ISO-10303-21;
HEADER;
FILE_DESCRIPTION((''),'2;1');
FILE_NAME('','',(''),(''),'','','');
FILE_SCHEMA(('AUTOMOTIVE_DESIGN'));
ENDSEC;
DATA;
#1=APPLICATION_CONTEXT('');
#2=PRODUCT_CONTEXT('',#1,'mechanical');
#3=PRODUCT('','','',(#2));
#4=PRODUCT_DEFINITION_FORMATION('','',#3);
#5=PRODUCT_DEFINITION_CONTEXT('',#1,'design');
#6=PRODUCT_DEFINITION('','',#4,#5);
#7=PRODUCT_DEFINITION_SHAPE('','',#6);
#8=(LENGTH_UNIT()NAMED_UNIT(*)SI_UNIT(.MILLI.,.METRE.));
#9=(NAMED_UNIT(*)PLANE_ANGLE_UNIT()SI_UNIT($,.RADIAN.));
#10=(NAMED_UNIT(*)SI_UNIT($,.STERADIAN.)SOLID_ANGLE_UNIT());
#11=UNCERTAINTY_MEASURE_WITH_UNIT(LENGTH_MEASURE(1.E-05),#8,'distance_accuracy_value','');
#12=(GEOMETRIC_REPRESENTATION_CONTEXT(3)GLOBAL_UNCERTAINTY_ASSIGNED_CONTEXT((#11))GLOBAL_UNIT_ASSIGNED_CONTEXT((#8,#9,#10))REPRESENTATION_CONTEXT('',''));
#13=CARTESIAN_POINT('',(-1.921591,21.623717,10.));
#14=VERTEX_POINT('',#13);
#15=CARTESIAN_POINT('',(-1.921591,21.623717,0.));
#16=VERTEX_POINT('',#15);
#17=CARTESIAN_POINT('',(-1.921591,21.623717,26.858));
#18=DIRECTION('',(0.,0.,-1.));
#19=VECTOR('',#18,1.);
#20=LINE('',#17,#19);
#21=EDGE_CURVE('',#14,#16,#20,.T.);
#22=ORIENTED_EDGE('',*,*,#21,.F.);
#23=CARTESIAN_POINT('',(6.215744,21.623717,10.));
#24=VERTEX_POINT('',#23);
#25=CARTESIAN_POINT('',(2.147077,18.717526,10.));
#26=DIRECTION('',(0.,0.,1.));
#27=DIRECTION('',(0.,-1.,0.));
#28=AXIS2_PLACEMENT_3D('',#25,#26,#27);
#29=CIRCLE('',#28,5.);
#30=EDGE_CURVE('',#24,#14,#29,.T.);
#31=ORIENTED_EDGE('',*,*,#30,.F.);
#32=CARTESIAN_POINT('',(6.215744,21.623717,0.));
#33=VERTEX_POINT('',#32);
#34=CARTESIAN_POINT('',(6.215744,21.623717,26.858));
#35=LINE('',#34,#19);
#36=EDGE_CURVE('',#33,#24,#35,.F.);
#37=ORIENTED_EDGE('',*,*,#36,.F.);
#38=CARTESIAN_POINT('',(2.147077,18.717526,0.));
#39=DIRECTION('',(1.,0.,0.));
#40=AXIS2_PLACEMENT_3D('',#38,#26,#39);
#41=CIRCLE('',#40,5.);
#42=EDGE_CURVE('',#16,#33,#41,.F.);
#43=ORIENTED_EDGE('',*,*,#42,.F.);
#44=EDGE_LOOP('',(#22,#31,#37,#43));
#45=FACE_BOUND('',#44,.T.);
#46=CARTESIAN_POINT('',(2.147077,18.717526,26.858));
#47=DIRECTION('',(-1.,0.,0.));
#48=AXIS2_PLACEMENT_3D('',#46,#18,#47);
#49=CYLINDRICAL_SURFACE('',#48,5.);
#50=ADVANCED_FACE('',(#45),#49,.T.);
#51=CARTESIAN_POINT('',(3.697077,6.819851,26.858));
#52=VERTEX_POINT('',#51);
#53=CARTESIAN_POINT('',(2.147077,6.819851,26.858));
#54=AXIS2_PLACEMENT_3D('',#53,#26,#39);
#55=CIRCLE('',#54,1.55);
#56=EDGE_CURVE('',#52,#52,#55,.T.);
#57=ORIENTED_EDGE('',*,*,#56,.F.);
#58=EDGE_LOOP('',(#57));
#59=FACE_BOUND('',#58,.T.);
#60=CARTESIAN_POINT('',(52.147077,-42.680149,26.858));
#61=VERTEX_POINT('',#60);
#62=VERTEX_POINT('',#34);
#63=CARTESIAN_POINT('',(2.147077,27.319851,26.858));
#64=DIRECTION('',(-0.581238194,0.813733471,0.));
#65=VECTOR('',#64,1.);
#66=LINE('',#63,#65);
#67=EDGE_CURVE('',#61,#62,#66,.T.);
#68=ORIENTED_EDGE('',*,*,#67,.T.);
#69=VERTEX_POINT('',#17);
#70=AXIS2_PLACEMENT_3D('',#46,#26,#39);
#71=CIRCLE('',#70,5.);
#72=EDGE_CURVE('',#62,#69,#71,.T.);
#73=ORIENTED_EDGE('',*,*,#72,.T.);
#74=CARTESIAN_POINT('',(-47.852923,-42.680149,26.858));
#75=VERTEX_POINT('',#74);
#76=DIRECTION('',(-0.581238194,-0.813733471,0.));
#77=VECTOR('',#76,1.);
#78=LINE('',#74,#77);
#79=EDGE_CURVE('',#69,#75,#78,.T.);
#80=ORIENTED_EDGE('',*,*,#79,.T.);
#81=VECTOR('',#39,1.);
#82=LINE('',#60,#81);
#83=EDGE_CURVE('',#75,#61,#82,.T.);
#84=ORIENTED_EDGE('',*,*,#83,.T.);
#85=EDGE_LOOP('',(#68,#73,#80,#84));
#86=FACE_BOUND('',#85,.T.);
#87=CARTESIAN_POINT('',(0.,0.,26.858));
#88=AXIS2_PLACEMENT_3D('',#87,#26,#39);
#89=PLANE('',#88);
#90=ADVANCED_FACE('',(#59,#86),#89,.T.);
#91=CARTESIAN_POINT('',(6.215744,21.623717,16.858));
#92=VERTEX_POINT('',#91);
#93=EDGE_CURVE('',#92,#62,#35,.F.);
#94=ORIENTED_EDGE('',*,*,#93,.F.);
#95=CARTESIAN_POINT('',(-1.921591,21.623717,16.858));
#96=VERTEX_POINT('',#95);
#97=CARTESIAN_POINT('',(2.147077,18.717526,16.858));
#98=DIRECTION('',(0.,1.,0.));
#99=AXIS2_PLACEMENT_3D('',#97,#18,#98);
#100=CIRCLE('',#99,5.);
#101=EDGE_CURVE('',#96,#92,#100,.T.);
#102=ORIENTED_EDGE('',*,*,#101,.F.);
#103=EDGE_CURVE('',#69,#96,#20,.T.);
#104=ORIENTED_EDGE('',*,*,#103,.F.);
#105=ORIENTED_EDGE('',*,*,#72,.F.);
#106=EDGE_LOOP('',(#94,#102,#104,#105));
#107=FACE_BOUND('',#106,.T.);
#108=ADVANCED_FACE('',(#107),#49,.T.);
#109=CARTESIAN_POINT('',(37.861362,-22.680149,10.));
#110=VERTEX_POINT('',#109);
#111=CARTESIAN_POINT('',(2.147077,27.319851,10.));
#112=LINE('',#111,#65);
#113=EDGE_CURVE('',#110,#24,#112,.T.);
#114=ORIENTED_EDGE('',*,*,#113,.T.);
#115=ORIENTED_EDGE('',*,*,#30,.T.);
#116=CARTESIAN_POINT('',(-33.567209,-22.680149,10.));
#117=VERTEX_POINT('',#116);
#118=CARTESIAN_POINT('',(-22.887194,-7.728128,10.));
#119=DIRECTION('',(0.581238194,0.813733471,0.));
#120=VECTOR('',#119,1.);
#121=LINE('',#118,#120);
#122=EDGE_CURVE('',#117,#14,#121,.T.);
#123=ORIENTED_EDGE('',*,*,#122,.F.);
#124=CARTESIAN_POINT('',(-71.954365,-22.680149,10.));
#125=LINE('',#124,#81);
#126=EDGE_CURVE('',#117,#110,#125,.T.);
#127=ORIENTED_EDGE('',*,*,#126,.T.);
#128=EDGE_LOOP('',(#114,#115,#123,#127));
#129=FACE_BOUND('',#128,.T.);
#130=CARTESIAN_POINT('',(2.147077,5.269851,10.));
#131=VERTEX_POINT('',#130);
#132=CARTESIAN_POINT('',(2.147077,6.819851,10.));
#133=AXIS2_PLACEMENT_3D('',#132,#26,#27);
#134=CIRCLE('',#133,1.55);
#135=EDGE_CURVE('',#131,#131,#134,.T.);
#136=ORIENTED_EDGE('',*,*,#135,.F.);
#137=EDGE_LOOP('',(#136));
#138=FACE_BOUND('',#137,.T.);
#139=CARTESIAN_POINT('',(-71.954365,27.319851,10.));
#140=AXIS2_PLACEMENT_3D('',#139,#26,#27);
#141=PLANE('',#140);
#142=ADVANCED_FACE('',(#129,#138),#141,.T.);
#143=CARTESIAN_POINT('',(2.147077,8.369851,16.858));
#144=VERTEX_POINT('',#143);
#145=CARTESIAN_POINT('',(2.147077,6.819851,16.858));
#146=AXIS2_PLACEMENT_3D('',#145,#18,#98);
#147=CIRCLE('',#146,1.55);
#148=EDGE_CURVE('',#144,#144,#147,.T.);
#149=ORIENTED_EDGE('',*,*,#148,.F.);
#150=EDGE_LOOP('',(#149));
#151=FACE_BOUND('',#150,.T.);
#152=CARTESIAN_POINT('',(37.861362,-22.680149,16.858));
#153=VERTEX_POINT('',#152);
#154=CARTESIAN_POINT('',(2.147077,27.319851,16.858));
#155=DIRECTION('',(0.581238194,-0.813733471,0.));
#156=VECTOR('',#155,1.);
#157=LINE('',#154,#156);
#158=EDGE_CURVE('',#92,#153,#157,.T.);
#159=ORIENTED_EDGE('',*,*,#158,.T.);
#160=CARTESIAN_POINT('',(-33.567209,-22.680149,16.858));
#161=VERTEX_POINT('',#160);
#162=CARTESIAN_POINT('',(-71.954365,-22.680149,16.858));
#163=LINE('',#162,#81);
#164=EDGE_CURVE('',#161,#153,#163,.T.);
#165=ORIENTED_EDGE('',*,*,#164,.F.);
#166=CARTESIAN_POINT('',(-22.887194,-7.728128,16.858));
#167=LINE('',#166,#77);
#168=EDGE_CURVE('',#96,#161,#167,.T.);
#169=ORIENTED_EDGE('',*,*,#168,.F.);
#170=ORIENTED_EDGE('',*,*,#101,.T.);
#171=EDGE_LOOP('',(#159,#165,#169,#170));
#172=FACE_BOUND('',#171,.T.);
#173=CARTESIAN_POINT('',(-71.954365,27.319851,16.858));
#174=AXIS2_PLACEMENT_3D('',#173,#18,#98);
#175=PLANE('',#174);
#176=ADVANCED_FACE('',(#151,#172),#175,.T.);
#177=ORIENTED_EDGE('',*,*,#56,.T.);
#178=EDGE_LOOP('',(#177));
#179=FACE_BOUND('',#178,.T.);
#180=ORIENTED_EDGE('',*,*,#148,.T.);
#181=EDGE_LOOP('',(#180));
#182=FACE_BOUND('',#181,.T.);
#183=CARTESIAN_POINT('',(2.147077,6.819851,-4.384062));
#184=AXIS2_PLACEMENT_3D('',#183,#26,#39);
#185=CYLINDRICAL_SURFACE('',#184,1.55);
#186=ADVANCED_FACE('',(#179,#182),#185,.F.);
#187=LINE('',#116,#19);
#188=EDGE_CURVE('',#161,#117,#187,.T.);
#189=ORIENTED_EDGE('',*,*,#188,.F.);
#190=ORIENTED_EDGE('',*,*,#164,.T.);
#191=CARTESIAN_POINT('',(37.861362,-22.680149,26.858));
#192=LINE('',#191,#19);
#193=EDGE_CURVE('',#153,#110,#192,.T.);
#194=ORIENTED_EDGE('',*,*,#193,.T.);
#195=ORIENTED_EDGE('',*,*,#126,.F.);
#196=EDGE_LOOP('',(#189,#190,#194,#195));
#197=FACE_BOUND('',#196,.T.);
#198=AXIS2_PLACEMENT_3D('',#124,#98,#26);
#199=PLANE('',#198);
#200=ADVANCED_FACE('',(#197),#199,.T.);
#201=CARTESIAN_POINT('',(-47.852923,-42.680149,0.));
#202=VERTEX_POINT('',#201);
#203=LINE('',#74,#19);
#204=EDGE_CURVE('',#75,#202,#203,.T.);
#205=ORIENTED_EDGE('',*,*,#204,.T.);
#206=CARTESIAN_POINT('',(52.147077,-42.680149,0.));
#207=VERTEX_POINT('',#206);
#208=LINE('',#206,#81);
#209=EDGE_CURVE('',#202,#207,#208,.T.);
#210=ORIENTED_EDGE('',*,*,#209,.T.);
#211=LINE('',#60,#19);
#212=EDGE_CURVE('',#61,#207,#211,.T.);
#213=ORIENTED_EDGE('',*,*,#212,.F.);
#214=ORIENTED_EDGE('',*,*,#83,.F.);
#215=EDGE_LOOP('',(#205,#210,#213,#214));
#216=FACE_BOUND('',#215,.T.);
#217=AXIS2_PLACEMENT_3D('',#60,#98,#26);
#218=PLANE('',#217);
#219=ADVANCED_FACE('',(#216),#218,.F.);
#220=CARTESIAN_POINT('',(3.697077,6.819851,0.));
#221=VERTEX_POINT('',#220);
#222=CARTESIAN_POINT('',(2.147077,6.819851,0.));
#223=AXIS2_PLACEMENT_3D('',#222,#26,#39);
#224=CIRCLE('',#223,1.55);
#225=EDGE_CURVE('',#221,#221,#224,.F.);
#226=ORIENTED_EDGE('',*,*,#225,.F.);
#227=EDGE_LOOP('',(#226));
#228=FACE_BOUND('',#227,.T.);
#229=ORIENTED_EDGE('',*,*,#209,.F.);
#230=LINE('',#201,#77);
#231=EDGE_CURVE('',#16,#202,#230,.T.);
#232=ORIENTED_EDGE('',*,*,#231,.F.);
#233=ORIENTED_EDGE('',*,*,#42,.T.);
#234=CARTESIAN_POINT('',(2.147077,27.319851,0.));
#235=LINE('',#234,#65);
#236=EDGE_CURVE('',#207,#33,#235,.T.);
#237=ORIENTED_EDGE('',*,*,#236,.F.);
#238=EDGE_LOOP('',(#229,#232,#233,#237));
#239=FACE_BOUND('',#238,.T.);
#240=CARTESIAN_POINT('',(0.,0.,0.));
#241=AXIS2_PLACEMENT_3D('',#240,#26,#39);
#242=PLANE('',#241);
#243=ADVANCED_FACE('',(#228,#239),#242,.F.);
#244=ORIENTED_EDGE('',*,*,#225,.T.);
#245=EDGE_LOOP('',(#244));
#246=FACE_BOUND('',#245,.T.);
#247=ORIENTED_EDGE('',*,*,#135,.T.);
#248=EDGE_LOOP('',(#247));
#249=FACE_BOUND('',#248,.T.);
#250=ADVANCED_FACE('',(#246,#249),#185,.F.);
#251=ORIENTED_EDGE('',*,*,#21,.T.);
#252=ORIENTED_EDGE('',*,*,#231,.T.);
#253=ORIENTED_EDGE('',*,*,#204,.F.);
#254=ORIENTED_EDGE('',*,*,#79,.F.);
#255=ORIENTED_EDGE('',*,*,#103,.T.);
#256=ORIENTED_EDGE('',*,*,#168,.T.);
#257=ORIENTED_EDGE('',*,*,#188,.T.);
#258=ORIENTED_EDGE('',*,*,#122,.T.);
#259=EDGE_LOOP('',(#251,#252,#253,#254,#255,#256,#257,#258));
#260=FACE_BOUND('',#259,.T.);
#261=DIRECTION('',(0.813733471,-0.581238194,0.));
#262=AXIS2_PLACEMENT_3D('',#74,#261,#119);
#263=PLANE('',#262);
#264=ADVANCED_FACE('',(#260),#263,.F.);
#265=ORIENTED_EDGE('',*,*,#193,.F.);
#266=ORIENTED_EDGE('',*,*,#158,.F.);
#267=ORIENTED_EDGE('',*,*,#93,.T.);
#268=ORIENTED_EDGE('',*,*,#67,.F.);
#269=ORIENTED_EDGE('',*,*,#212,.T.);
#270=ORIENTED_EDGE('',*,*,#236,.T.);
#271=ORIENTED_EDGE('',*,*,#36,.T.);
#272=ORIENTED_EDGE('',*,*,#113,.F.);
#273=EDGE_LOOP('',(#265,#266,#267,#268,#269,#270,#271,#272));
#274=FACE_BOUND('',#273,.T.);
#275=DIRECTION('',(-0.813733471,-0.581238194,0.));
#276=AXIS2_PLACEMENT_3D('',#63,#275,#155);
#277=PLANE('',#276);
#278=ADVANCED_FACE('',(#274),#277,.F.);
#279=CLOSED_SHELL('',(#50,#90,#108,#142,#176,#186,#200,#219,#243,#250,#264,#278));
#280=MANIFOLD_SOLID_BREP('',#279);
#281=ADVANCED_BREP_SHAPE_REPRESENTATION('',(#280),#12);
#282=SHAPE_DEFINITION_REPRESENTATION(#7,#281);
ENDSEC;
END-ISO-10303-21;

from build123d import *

# Parameters (mm, degrees)
BOSS_EXTRUDE1_DEPTH = 26.858
CUT_EXTRUDE1_REACH  = 113.995
SKETCH2_W           = 6.858
SKETCH2_H           = 50
CUT_EXTRUDE2_REACH  = 74.541
SKETCH3_R           = 1.55
FILLET1_R           = 5


with BuildPart() as part:
    # Sketch1 → Boss-Extrude1 (new body)
    with BuildSketch(Plane.XY):
        Polygon((-47.852923476, -42.680149177), (2.147076524, 27.319850823), (52.147076524, -42.680149177), align=None)
    extrude(amount=BOSS_EXTRUDE1_DEPTH)

    # Cut-Extrude1: up to this plane
    cut_extrude1_end = Plane(origin=(-47.852923476, -42.680149177, 26.858), z_dir=(0.8137334712067356, -0.5812381937190956, 0))
    # Sketch2 → Cut-Extrude1 (cut, up to the surface)
    with BuildSketch(Plane.ZY.offset(-52.147076524), mode=Mode.PRIVATE) as cut_extrude1_sk1:
        with Locations((13.429, 2.319850823)):
            Rectangle(SKETCH2_W, SKETCH2_H)
    cut_extrude1_tool1 = split(extrude(cut_extrude1_sk1.sketch, amount=CUT_EXTRUDE1_REACH, mode=Mode.PRIVATE), bisect_by=cut_extrude1_end, keep=Keep.BOTH, mode=Mode.PRIVATE)
    add(cut_extrude1_tool1.solids().sort_by_distance((52.147077, 2.319851, 13.429))[0], mode=Mode.SUBTRACT)

    # Cut-Extrude2: up to this face of the body (flat: up to its plane)
    cut_extrude2_end = Plane(part.part.faces().sort_by_distance((2.147076524, -19.346815843, 0))[0])
    # Sketch3 → Cut-Extrude2 (cut, up to the picked face)
    with BuildSketch(Plane.XY.offset(26.858), mode=Mode.PRIVATE) as cut_extrude2_sk1:
        with Locations((2.147076524, 6.819850823)):
            Circle(SKETCH3_R)
    cut_extrude2_tool1 = split(extrude(cut_extrude2_sk1.sketch, amount=-CUT_EXTRUDE2_REACH, mode=Mode.PRIVATE), bisect_by=cut_extrude2_end, keep=Keep.BOTH, mode=Mode.PRIVATE)
    add(cut_extrude2_tool1.solids().sort_by(Axis((2.147077, 6.819851, 26.858), (0, 0, -1)))[0], mode=Mode.SUBTRACT)

    # Fillet1
    fillet1_edges = [part.edges().sort_by_distance(p)[0] for p in [
        (2.147076524, 27.319850823, 5),
        (2.147076524, 27.319850823, 21.858),
    ]]
    fillet(fillet1_edges, radius=FILLET1_R)


solid = part.part
